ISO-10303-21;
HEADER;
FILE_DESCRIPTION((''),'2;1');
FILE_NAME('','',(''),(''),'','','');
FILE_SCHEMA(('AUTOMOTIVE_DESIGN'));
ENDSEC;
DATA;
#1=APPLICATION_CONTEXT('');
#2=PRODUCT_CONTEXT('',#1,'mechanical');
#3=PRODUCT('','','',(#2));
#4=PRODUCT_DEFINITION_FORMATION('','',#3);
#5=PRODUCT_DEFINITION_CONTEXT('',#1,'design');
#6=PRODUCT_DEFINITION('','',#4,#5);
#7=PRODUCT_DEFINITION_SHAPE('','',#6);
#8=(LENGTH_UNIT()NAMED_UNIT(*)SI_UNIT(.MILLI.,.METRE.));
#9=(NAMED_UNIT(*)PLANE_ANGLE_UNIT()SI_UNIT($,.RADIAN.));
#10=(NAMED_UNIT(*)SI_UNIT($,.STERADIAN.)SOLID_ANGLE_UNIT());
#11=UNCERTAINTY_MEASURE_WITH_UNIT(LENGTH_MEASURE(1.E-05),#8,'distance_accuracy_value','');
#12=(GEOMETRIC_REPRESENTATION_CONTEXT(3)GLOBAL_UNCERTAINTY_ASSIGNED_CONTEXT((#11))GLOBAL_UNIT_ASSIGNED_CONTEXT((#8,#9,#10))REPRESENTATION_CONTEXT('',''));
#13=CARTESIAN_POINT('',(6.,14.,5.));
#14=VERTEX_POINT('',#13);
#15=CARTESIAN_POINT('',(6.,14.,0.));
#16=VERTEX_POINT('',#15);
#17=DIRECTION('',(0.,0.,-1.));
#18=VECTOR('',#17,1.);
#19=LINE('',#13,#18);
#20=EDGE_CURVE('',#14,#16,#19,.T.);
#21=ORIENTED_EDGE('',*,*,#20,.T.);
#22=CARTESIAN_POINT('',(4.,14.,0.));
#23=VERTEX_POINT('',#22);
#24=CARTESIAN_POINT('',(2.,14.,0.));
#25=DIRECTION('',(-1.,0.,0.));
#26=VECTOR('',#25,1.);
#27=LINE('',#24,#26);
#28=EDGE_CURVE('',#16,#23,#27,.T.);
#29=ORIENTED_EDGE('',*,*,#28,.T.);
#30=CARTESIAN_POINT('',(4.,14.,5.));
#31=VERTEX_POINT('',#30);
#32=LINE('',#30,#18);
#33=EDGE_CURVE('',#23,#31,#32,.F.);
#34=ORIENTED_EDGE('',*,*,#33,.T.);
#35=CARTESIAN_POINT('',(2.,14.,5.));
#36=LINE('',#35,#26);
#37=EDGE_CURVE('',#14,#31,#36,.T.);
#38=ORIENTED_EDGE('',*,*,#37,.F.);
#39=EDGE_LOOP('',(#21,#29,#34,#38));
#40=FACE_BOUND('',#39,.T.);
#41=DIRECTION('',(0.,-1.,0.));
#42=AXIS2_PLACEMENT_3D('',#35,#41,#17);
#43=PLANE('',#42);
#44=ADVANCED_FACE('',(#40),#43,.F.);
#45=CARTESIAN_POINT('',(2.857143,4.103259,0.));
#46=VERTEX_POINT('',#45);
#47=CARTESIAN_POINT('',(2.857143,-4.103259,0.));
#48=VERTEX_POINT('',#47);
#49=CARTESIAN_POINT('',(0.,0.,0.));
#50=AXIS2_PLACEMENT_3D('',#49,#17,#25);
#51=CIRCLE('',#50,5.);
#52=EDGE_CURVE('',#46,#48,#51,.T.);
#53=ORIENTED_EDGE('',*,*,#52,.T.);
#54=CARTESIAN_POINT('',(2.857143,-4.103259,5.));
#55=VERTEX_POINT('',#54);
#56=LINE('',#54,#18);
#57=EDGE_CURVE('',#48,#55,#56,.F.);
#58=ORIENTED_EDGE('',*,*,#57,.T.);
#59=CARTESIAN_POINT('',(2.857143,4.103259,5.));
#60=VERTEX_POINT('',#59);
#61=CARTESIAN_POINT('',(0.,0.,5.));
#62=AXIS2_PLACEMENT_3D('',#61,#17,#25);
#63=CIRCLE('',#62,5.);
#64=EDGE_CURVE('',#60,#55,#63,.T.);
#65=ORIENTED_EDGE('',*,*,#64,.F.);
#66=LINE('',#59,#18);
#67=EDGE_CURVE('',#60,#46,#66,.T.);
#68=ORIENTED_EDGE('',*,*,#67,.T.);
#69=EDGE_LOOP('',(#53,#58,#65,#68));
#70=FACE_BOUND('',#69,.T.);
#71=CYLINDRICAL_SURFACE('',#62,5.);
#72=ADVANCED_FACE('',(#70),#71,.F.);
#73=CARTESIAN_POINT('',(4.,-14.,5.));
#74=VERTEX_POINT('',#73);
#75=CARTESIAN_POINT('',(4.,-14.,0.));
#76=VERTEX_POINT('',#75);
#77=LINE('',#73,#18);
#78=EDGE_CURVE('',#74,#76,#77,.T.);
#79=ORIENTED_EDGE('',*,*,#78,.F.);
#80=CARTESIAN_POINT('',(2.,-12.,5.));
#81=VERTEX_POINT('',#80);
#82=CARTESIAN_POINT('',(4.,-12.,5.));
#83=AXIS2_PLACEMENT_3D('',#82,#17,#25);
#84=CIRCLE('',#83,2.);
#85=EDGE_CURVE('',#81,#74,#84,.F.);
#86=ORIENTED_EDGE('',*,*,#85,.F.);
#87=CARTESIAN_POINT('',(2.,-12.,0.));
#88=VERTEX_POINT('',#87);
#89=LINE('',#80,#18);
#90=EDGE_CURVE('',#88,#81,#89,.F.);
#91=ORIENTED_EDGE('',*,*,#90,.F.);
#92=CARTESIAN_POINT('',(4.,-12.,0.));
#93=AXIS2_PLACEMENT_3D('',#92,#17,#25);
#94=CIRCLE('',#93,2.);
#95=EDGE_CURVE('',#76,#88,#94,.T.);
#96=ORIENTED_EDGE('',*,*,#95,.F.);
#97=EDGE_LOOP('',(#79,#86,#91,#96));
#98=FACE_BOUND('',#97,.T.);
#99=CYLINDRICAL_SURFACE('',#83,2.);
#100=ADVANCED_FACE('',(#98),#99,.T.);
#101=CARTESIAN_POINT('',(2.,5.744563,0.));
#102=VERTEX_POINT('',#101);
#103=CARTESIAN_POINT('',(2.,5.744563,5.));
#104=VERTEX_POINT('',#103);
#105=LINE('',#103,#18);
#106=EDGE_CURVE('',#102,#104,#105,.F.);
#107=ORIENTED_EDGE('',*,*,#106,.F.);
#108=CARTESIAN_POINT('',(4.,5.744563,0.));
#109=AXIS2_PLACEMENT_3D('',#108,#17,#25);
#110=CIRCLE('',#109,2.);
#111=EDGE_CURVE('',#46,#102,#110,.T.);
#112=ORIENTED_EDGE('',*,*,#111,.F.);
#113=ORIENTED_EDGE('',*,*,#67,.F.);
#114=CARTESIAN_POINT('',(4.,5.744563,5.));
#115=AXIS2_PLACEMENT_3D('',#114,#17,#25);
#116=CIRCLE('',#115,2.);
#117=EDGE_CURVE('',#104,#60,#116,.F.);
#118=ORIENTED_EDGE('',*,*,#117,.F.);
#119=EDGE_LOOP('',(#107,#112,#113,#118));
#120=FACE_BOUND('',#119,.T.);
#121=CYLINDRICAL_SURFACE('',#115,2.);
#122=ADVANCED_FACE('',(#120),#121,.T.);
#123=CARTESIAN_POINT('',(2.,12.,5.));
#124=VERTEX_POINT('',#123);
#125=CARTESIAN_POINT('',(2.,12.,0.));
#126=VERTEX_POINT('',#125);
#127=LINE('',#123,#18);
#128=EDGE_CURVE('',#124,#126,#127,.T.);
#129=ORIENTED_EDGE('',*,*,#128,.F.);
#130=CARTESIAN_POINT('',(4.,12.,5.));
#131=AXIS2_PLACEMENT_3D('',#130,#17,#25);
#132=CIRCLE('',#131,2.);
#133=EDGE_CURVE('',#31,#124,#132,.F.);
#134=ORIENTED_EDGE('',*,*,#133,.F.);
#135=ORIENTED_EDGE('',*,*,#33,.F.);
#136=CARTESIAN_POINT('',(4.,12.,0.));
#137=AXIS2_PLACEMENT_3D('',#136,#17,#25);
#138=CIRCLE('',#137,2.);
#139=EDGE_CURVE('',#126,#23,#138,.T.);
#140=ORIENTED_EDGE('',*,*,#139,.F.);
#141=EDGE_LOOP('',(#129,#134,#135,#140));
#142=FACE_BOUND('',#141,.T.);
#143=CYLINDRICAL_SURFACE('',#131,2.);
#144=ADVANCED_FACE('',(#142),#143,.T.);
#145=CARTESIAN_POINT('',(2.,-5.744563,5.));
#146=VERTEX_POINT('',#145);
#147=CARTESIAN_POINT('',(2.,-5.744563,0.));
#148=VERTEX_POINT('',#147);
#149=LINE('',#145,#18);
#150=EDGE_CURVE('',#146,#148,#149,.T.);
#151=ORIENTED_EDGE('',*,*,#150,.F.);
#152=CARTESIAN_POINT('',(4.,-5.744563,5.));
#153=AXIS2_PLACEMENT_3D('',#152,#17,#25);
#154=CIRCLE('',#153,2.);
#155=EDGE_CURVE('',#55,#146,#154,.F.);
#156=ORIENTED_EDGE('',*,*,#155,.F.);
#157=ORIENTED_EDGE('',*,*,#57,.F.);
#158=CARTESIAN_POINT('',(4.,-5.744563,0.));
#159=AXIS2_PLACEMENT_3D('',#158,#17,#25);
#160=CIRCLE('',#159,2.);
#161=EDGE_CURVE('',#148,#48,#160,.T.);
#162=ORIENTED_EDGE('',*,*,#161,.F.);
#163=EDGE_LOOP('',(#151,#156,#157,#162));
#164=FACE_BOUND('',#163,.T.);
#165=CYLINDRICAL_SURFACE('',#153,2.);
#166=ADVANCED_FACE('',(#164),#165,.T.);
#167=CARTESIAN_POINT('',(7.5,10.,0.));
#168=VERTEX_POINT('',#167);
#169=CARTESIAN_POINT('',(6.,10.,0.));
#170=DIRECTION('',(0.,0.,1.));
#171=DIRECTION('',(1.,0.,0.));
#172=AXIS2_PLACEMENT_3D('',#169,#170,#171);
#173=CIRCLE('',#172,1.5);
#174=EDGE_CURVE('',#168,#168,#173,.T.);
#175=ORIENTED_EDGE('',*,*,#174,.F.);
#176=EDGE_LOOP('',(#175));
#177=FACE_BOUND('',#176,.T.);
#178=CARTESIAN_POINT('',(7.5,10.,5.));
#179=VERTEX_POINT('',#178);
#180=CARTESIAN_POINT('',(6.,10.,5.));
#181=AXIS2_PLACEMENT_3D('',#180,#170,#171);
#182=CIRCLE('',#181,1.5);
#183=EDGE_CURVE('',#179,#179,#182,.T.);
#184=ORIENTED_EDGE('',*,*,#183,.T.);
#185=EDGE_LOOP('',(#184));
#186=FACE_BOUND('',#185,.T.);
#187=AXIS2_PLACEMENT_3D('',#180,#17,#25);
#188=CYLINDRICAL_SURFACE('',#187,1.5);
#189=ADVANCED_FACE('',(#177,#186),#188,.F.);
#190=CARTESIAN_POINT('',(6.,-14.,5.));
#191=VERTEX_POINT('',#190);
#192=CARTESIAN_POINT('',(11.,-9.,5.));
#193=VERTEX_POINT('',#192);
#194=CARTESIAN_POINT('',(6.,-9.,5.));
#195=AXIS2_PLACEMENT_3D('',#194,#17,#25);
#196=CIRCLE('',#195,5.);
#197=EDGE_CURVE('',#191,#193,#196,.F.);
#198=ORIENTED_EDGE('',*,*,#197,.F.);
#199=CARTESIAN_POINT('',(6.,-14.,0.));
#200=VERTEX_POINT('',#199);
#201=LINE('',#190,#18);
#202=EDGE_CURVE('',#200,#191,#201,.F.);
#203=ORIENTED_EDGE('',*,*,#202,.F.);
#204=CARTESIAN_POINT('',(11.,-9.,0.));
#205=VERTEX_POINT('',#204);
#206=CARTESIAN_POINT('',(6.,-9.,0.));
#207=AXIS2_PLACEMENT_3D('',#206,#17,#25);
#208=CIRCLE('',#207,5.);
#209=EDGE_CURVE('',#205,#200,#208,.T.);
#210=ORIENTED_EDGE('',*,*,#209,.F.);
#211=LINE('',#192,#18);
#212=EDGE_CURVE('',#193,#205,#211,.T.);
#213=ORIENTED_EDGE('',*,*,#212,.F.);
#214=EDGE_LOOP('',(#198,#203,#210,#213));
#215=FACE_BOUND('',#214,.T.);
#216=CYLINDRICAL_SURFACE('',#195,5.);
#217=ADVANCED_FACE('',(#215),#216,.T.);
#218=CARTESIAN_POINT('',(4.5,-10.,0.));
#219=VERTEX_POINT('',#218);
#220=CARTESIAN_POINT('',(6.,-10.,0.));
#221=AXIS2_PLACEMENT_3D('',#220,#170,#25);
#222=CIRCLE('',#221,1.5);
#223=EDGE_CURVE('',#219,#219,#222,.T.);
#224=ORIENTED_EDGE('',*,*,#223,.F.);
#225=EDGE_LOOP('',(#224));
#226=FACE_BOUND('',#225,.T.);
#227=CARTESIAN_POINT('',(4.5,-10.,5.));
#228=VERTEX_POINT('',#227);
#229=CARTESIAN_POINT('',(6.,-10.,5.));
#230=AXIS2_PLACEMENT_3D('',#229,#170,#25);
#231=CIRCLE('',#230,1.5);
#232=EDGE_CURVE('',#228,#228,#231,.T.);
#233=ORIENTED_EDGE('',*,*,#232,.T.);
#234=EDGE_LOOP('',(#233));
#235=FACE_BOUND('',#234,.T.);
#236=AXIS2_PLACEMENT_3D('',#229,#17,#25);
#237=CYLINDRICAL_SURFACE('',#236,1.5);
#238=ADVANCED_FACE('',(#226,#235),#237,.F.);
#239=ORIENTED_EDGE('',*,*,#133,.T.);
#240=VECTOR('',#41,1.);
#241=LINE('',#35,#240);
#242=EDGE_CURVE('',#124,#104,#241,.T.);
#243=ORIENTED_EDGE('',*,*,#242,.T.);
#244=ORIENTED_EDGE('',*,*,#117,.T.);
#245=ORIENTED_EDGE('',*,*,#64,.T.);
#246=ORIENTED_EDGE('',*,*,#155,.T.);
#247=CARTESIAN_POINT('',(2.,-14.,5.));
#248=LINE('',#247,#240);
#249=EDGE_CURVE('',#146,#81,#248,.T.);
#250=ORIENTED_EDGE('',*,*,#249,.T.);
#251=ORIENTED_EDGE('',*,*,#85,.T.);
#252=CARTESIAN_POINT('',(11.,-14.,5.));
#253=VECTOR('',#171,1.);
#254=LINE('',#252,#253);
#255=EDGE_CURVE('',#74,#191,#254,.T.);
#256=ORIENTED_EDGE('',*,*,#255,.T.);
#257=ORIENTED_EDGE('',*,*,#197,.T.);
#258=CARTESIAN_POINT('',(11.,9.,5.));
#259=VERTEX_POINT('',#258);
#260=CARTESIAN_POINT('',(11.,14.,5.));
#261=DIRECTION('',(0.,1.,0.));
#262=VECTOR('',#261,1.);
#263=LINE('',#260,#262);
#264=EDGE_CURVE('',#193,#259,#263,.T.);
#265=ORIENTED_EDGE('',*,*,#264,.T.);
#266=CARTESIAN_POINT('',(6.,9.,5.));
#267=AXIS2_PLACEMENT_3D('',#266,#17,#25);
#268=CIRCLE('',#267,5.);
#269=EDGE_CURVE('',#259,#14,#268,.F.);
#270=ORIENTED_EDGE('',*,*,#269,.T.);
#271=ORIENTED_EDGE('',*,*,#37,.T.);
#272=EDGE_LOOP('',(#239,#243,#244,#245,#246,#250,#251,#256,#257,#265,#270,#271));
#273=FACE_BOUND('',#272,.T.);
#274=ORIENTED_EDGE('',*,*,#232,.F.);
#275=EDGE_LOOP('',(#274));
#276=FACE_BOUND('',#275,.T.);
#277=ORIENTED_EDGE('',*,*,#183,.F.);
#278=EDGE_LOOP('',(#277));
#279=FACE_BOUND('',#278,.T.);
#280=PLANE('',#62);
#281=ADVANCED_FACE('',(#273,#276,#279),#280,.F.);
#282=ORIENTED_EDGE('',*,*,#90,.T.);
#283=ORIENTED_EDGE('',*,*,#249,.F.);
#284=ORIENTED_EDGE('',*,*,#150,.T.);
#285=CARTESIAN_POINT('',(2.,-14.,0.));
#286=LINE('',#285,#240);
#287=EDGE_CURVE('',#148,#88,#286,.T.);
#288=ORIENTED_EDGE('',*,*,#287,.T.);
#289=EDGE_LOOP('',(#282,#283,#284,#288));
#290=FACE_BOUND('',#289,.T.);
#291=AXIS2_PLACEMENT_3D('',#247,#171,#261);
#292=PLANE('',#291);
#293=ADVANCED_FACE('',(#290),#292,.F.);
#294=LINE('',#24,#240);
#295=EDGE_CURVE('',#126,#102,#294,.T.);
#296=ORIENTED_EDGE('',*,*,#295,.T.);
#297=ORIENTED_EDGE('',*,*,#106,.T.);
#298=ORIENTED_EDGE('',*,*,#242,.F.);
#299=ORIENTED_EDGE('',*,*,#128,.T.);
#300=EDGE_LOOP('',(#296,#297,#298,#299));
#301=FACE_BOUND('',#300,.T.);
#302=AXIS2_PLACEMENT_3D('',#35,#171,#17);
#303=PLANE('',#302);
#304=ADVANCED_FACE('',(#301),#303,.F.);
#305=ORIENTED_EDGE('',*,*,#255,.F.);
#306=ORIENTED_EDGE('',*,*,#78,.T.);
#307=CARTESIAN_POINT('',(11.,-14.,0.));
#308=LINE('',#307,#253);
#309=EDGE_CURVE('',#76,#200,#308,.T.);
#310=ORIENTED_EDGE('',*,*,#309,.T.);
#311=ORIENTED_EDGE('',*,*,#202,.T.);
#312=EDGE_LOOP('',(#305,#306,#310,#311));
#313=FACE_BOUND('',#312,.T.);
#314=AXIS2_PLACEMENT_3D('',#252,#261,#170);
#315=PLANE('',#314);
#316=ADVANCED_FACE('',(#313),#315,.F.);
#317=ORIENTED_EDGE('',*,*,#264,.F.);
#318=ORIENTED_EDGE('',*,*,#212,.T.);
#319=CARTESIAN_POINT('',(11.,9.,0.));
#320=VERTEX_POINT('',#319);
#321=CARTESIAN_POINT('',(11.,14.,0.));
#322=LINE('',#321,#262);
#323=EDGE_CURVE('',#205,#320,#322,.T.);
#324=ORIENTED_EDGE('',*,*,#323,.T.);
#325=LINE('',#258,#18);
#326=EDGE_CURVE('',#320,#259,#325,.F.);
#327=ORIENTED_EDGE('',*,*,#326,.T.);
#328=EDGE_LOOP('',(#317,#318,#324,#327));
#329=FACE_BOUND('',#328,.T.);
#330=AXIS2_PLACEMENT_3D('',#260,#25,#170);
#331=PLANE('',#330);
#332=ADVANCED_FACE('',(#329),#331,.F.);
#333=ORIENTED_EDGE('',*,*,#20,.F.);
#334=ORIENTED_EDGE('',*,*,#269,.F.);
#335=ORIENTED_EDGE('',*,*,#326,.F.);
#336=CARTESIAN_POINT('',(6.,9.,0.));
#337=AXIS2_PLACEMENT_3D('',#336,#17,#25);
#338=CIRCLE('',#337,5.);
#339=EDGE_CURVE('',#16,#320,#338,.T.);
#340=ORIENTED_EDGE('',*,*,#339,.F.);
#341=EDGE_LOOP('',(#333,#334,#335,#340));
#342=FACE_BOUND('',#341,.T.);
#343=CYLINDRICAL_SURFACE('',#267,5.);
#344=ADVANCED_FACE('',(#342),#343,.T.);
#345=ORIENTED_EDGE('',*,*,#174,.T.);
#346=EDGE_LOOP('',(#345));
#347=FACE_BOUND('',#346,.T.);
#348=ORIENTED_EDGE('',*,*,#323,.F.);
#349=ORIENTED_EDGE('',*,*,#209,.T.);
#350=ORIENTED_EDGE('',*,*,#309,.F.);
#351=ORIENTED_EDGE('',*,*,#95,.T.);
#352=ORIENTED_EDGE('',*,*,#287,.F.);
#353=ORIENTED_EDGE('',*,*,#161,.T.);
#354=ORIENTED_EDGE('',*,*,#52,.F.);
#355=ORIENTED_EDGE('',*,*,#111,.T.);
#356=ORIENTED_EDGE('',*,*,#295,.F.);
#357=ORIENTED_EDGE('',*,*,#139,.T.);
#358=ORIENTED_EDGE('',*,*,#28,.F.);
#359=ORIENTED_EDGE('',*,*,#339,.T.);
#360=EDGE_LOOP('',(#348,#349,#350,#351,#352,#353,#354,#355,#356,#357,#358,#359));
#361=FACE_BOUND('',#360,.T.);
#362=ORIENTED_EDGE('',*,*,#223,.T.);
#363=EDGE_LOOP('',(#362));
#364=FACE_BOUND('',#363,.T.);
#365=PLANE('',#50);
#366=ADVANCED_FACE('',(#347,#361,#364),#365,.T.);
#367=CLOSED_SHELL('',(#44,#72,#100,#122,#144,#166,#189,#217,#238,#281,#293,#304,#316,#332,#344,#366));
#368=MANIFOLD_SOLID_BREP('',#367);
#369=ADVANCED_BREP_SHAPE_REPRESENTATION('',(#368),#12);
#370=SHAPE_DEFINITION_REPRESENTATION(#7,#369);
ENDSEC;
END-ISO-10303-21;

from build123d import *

# Parameters (mm, degrees)
ESQUISSE1_R        = 1.5
BOSS_EXTRU_1_DEPTH = 5
CONG_1_R           = 5
CONG_2_R           = 2


with BuildPart() as part:
    # Esquisse1 → Boss.-Extru.1 (new body)
    with BuildSketch(Plane.XY):
        with BuildLine():
            Line((2, 14), (2, 4.582575695))
            ThreePointArc((2, 4.582575695), (5, 0), (2, -4.582575695))
            Line((2, -4.582575695), (2, -14))
            Line((2, -14), (11, -14))
            Line((11, -14), (11, 14))
            Line((11, 14), (2, 14))
        make_face()
        with Locations((6, 10)):
            Circle(ESQUISSE1_R, mode=Mode.SUBTRACT)
        with Locations(Location((6, -10, 0), (0, 0, 180))):
            Circle(ESQUISSE1_R, mode=Mode.SUBTRACT)
    extrude(amount=BOSS_EXTRU_1_DEPTH)

    # Congé1
    cong_1_edges = [part.edges().sort_by_distance(p)[0] for p in [
        (11, 14, 2.5),
        (11, -14, 2.5),
    ]]
    fillet(cong_1_edges, radius=CONG_1_R)

    # Congé2
    cong_2_edges = [part.edges().sort_by_distance(p)[0] for p in [
        (2, -14, 2.5),
        (2, -4.582575695, 2.5),
        (2, 4.582575695, 2.5),
        (2, 14, 2.5),
    ]]
    fillet(cong_2_edges, radius=CONG_2_R)


solid = part.part
